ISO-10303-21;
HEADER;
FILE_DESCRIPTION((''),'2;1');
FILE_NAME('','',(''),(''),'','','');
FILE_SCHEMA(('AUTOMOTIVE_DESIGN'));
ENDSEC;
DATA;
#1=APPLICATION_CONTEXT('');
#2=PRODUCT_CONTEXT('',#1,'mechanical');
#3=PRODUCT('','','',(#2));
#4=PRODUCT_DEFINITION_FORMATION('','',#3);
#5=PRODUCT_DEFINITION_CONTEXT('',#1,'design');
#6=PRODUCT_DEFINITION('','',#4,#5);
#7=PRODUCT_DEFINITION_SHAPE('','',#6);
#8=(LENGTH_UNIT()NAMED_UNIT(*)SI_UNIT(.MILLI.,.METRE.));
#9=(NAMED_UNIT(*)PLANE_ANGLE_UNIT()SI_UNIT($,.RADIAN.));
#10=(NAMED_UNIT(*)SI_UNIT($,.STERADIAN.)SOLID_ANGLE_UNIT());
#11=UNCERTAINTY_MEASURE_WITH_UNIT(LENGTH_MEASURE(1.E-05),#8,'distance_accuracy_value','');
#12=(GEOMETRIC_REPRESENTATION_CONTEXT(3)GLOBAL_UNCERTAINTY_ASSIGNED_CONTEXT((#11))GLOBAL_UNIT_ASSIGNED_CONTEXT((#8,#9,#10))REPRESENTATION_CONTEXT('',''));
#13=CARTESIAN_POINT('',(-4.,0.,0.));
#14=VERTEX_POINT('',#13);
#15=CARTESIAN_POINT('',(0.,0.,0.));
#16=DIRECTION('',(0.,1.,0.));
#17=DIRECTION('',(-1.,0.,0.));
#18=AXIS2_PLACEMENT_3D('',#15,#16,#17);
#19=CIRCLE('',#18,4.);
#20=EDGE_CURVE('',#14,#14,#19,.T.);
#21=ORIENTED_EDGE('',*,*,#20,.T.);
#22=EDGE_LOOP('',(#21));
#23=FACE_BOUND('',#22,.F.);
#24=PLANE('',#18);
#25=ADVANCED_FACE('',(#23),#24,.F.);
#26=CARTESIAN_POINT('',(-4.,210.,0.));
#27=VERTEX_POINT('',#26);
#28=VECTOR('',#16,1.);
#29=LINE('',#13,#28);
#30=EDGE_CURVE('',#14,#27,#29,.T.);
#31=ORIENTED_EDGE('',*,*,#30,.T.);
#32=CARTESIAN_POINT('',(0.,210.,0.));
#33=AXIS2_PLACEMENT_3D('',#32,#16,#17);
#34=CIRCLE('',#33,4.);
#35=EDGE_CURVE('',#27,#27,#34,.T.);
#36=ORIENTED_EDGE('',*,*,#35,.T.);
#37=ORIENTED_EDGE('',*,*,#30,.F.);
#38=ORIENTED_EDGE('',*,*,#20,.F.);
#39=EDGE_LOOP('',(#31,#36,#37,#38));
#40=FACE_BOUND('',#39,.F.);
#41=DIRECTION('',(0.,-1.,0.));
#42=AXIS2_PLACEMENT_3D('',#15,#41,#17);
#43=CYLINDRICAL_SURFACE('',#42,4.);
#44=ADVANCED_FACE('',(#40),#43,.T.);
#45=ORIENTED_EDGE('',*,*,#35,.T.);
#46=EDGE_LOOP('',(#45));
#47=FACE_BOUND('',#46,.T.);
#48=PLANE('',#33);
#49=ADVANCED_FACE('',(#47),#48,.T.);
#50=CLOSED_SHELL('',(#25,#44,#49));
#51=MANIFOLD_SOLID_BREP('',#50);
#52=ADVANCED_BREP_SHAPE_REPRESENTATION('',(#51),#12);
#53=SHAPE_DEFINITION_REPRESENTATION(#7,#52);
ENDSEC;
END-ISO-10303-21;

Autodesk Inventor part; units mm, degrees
ref_plane "YZ Plane" through (0, 0, 0) normal (1, 0, 0) x (0, 1, 0)
ref_plane "XZ Plane" through (0, 0, 0) normal (0, 1, 0) x (-1, 0, 0)
ref_plane "XY Plane" through (0, 0, 0) normal (0, 0, 1) x (1, 0, 0)
sketch "Sketch1" plane through (0, 0, 0) normal (0, 1, 0) x (-1, 0, 0)
  circle A0 centre (0, 0) radius 4
  dimension "d0" = 8
extrude "Extrusion1" add sketch "Sketch1" along normal blind 210
properties part number "Rod_1"
